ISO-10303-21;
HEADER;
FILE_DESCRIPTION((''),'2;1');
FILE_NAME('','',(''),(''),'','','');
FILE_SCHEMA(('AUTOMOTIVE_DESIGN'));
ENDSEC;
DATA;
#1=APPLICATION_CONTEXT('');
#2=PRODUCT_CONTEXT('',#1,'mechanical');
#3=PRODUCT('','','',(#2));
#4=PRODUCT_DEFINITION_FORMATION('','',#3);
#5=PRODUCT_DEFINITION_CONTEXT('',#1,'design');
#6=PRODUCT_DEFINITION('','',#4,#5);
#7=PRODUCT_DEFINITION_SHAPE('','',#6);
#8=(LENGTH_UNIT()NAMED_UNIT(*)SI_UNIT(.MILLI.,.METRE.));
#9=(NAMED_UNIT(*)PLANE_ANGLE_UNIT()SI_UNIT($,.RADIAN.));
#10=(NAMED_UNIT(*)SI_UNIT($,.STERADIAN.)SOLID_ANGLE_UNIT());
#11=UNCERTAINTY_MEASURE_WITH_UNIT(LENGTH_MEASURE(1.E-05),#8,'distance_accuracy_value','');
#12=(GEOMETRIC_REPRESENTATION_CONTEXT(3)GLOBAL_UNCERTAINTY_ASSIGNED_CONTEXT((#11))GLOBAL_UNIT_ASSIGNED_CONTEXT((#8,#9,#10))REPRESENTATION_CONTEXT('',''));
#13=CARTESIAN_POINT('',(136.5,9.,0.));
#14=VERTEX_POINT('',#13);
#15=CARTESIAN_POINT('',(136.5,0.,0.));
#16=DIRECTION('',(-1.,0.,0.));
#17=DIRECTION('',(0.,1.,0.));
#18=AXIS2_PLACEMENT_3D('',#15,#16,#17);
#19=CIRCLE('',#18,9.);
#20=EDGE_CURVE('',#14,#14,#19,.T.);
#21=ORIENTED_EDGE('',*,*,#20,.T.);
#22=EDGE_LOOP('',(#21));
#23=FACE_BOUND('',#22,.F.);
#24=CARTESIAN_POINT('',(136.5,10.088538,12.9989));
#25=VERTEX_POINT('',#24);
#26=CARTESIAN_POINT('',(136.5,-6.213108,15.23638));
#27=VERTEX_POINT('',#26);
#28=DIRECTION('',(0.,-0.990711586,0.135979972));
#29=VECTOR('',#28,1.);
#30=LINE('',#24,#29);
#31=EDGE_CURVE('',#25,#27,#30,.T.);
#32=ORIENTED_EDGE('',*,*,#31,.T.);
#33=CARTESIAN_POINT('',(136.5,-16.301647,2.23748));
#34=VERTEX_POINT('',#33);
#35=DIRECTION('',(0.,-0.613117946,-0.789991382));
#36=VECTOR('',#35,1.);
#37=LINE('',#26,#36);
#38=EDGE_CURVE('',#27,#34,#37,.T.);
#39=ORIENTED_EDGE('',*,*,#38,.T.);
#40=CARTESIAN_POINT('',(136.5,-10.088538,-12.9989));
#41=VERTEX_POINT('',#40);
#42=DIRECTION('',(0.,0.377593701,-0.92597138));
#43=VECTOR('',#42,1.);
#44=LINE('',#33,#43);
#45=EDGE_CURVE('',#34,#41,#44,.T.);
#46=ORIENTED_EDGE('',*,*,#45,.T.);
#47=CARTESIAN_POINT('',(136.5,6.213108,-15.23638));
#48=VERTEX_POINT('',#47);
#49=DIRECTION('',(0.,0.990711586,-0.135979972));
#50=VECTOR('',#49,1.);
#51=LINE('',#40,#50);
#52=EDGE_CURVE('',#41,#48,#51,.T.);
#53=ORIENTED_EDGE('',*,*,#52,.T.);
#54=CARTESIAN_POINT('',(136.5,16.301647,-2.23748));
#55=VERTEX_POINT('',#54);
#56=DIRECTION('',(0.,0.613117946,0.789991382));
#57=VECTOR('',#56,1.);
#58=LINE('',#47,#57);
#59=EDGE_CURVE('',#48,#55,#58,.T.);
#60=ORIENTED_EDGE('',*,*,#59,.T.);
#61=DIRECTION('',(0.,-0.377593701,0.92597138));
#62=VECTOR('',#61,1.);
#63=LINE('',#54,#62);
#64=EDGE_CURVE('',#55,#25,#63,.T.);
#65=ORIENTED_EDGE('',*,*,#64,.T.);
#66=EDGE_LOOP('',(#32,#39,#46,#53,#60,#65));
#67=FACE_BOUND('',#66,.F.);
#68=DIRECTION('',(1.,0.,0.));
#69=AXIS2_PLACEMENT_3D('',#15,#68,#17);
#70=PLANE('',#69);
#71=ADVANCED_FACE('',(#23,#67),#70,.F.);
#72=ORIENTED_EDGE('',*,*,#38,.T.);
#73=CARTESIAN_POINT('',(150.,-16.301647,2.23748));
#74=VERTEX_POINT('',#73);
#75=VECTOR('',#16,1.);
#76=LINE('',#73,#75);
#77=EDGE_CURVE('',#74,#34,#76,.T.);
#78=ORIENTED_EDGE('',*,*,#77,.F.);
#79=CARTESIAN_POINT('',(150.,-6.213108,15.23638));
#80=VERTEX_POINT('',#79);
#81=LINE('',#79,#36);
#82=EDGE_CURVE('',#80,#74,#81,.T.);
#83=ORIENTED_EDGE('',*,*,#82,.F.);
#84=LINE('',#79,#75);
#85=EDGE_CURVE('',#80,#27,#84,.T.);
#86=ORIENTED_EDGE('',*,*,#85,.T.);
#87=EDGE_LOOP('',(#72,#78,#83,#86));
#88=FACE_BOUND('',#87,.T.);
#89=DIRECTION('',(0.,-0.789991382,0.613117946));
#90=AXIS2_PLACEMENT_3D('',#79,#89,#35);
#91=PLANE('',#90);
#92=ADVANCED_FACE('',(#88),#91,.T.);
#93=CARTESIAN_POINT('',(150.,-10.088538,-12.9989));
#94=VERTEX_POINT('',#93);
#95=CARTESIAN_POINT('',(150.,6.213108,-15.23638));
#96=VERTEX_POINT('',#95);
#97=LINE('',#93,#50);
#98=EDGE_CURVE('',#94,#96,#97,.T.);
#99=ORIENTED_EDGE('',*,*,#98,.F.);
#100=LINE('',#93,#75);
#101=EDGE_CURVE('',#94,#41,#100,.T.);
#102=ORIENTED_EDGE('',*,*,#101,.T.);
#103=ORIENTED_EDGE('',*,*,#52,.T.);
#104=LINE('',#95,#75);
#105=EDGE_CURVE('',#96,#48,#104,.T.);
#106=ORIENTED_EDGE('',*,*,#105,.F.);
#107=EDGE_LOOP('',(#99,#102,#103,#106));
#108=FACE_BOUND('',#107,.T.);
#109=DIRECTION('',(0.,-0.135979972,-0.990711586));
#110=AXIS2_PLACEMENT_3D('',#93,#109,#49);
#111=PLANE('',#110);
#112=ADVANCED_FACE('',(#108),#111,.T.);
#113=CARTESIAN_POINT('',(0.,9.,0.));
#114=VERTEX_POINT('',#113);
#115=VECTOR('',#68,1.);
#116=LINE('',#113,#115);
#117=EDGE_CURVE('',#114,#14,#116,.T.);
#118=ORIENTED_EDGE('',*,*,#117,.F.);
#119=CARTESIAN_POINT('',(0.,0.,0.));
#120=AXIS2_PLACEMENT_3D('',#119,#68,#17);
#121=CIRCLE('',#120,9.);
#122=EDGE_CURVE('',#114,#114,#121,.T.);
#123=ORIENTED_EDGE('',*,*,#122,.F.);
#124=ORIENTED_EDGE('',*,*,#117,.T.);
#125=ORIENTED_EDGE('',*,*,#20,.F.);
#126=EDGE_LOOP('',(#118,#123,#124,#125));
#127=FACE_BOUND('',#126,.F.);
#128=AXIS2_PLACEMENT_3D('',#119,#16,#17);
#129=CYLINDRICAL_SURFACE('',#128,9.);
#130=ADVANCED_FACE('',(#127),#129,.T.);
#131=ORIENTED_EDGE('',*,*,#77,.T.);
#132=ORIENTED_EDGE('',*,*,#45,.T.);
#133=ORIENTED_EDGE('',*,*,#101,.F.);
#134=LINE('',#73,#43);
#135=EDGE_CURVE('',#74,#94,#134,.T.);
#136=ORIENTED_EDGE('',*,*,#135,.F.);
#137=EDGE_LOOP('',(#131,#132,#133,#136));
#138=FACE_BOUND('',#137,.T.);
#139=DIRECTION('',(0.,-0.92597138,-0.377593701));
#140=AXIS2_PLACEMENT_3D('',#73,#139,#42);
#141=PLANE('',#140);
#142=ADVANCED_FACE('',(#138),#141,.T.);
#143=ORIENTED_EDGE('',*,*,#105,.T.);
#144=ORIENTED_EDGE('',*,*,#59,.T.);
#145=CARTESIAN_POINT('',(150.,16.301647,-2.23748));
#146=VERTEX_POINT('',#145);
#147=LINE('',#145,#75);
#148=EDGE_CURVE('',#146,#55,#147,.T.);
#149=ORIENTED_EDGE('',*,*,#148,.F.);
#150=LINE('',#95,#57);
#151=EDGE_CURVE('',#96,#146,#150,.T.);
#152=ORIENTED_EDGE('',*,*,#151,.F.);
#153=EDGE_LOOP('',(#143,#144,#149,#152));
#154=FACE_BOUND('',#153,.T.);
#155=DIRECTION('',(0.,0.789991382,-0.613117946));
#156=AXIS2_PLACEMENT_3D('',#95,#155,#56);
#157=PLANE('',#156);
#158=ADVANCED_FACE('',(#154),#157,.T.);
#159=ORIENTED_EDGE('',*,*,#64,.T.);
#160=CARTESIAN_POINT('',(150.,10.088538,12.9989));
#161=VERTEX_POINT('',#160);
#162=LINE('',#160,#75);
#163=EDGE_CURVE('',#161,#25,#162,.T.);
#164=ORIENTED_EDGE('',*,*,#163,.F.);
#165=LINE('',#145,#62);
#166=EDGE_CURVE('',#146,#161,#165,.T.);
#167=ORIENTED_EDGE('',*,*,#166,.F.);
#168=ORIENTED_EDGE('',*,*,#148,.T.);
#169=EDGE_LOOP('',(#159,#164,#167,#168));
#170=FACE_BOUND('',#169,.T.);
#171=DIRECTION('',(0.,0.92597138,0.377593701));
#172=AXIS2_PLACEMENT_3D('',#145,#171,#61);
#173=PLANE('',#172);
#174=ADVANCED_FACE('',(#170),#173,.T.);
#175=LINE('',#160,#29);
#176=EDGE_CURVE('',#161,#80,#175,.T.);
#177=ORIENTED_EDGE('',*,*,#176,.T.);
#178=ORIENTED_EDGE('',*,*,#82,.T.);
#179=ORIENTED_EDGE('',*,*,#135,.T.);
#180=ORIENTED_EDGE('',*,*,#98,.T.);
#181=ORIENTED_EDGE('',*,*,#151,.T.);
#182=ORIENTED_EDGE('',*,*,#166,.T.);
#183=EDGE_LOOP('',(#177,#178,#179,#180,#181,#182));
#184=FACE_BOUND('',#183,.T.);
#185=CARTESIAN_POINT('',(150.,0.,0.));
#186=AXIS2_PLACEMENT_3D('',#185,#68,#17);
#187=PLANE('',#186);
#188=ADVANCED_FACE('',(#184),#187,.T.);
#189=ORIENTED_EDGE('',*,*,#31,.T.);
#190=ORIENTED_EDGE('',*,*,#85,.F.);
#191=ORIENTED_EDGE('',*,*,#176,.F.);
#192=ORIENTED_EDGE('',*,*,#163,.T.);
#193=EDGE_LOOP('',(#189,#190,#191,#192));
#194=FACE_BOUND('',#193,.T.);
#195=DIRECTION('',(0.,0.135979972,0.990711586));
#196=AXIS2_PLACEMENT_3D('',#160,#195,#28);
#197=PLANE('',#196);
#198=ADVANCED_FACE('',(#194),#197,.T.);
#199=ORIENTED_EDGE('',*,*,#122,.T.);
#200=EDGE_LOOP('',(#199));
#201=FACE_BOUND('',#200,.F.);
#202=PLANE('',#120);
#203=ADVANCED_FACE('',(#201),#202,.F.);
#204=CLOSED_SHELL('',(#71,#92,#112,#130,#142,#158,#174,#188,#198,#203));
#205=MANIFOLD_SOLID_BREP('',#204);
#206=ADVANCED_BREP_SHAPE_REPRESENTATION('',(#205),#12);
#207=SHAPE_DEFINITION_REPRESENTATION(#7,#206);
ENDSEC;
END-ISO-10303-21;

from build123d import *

# Parameters (mm, degrees)
F0_R     = 9
F1_DEPTH = 150
F3_DEPTH = 13.5


with BuildPart() as f1:
    # F0 (on Right) → F1 (new body)
    with BuildSketch(Plane.YZ):
        Circle(F0_R)
    extrude(amount=F1_DEPTH)

    # F2 (on face) → F3 (join)
    with BuildSketch(Plane.YZ.offset(150)):
        Polygon((-16.301647, 2.23748), (-10.088538, -12.9989), (6.213108, -15.23638), (16.301647, -2.23748), (10.088538, 12.9989), (-6.213108, 15.23638), align=None)
    extrude(amount=-F3_DEPTH)


solid = f1.part
